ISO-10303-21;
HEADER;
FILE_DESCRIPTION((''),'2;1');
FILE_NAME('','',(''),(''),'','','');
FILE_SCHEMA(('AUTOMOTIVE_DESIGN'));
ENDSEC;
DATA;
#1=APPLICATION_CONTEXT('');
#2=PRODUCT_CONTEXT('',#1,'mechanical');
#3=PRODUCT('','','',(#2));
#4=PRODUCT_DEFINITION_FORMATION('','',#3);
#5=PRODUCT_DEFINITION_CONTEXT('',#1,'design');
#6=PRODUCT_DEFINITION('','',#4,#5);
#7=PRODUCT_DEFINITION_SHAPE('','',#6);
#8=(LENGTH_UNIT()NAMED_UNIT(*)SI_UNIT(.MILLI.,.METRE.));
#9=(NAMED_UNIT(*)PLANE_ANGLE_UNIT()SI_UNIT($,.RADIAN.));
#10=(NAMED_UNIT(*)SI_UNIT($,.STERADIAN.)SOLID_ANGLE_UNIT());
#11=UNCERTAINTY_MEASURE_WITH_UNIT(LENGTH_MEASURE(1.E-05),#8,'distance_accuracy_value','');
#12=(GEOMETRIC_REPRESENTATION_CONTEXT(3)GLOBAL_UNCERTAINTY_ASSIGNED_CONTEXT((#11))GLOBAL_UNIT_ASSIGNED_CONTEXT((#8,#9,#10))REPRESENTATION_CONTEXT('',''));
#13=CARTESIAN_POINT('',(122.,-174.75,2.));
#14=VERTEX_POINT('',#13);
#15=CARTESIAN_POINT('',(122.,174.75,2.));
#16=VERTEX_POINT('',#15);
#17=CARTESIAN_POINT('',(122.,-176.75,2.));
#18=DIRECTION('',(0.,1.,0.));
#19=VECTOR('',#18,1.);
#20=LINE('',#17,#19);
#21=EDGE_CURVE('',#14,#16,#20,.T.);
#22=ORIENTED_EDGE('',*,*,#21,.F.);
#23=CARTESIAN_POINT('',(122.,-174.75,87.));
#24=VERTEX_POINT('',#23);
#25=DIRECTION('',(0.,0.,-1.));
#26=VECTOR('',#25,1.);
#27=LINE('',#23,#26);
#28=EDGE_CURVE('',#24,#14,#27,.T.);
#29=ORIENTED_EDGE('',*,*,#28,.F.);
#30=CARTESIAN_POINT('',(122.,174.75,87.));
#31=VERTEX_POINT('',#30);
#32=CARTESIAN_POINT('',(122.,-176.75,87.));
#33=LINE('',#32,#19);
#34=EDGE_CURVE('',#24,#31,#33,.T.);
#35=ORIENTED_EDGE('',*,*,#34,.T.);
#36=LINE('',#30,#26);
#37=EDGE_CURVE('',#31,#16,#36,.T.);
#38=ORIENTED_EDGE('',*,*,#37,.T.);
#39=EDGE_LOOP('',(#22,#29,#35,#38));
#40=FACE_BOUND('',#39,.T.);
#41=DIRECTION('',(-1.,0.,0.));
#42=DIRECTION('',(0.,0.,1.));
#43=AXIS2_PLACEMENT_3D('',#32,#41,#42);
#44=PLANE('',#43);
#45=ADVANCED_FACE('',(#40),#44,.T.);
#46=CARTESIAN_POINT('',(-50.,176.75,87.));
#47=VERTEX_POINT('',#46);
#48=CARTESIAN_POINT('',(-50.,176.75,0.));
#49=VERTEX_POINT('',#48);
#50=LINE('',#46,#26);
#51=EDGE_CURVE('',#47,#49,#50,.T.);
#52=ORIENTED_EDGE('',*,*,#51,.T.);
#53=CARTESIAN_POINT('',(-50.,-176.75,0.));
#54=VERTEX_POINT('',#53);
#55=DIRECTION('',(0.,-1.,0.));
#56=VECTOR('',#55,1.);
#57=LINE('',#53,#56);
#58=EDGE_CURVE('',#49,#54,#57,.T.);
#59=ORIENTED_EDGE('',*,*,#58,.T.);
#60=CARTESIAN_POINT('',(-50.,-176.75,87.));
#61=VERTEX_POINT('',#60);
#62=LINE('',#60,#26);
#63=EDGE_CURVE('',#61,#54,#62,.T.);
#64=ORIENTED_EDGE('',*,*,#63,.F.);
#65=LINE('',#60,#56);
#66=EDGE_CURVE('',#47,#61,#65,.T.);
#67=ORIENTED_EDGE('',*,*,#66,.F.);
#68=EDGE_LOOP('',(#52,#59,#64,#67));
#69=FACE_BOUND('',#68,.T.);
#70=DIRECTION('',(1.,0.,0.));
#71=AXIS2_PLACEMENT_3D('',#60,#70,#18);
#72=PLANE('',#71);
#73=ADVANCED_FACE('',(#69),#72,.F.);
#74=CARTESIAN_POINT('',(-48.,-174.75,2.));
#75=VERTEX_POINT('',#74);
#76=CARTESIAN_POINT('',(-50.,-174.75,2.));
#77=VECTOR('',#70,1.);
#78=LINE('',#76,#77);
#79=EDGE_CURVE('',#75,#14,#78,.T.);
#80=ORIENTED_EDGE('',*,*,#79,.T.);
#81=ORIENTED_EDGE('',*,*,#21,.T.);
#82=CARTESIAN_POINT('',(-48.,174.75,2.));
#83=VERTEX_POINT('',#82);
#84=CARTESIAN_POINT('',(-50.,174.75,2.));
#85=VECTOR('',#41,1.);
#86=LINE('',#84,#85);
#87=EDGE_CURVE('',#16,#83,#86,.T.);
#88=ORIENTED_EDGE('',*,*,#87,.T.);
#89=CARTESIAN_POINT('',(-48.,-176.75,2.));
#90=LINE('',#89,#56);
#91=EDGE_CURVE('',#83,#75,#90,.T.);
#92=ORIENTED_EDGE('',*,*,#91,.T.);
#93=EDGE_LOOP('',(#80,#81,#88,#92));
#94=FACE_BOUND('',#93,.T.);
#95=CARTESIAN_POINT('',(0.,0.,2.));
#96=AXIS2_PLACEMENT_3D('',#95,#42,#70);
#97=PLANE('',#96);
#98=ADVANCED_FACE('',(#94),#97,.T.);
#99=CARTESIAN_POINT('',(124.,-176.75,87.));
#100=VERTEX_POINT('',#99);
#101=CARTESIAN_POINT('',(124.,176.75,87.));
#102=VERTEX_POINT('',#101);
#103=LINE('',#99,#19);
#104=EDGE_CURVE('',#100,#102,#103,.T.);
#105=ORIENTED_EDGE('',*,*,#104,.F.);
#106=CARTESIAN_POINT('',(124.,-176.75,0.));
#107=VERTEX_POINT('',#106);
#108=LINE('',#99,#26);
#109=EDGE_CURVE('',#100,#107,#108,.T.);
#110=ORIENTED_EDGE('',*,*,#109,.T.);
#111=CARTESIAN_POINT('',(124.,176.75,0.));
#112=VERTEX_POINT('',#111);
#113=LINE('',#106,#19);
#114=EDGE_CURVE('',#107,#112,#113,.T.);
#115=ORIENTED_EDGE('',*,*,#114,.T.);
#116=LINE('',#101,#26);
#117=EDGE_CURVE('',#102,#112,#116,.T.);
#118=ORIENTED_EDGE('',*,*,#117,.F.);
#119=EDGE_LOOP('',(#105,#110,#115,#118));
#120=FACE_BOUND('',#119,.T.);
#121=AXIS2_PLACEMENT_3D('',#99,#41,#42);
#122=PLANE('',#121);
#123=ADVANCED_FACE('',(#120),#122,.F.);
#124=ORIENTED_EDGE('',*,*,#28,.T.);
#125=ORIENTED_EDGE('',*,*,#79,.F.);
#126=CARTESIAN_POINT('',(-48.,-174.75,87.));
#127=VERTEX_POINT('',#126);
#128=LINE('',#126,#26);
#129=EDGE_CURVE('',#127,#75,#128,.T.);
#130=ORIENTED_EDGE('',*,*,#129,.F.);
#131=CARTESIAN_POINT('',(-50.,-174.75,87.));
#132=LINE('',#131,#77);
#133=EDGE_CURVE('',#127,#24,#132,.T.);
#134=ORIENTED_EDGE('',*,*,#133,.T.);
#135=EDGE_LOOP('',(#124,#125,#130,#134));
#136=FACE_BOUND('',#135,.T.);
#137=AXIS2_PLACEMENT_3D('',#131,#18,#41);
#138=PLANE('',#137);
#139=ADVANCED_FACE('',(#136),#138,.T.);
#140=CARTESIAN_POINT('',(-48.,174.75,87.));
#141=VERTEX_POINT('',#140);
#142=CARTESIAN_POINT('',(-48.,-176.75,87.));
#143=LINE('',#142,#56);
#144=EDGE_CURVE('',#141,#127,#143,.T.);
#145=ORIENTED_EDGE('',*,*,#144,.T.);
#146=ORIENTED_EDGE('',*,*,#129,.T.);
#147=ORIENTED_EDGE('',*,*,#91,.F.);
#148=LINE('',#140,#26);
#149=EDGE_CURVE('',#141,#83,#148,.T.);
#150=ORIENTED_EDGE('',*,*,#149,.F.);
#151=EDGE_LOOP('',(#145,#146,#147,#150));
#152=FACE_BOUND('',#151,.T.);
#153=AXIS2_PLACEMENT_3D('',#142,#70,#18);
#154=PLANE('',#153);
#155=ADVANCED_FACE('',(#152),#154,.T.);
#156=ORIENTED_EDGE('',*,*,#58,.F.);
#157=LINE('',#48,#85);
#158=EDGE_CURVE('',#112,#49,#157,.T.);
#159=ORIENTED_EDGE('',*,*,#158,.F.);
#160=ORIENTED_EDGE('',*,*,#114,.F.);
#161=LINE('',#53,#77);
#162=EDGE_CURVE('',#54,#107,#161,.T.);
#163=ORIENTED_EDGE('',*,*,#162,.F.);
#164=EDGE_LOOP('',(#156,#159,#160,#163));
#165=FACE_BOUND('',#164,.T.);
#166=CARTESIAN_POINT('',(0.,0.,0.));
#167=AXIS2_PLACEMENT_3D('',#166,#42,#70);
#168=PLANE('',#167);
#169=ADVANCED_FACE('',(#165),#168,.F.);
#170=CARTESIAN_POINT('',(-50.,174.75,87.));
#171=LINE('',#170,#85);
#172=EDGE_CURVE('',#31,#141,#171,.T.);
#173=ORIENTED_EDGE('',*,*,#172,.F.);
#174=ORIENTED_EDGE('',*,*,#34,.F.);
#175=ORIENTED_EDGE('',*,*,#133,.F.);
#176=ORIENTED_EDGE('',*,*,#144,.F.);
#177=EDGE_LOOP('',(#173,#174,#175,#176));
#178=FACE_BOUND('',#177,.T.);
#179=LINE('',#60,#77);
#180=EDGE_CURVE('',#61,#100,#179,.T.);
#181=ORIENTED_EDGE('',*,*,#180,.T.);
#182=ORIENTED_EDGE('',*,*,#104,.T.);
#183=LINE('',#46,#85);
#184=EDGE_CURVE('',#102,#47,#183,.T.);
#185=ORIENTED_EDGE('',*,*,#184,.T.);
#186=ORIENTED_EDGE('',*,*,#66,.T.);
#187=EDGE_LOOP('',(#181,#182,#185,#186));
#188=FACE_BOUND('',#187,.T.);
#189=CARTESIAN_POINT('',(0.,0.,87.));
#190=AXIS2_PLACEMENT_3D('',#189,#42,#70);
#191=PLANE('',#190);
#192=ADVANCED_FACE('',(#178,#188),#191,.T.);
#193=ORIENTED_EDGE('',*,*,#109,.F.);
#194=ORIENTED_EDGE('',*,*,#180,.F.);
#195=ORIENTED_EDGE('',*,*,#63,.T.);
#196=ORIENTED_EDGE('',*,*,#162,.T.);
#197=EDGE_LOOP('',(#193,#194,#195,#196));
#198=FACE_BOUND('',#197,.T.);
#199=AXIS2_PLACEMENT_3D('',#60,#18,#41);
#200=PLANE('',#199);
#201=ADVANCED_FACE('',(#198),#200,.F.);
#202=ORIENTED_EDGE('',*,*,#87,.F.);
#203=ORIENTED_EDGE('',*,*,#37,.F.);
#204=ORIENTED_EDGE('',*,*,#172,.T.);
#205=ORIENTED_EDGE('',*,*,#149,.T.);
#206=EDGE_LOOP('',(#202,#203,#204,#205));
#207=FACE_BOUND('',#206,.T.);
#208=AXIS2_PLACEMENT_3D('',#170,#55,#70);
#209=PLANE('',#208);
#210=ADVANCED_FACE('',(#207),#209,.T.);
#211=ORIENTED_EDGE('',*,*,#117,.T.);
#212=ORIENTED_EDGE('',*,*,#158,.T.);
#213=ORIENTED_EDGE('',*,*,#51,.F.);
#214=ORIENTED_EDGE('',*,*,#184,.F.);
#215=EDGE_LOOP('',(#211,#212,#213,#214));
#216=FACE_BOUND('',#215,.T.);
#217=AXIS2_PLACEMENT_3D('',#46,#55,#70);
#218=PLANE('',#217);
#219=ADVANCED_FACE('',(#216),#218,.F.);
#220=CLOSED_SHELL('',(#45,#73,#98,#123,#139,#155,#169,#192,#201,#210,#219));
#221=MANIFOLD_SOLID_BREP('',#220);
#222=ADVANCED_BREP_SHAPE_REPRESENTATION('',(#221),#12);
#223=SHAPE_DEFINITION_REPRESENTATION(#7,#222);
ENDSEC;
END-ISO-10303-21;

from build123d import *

# Parameters (mm, degrees)
SKETCH1_W           = 353.5
SKETCH1_H           = 174
BOSS_EXTRUDE1_DEPTH = 87
SHELL1_T            = -2


with BuildPart() as part:
    # Sketch1 → Boss-Extrude1 (new body)
    with BuildSketch(Plane(origin=(0, 0, 0), x_dir=(0, 1, 0), z_dir=(0, 0, 1))):
        with Locations((0, -37)):
            Rectangle(SKETCH1_W, SKETCH1_H)
    extrude(amount=BOSS_EXTRUDE1_DEPTH)

    # Shell1
    shell1_openings = [part.faces().sort_by_distance(p)[0] for p in [
        (37, 0, 87),
    ]]
    offset(amount=SHELL1_T, openings=shell1_openings, kind=Kind.INTERSECTION)


solid = part.part
